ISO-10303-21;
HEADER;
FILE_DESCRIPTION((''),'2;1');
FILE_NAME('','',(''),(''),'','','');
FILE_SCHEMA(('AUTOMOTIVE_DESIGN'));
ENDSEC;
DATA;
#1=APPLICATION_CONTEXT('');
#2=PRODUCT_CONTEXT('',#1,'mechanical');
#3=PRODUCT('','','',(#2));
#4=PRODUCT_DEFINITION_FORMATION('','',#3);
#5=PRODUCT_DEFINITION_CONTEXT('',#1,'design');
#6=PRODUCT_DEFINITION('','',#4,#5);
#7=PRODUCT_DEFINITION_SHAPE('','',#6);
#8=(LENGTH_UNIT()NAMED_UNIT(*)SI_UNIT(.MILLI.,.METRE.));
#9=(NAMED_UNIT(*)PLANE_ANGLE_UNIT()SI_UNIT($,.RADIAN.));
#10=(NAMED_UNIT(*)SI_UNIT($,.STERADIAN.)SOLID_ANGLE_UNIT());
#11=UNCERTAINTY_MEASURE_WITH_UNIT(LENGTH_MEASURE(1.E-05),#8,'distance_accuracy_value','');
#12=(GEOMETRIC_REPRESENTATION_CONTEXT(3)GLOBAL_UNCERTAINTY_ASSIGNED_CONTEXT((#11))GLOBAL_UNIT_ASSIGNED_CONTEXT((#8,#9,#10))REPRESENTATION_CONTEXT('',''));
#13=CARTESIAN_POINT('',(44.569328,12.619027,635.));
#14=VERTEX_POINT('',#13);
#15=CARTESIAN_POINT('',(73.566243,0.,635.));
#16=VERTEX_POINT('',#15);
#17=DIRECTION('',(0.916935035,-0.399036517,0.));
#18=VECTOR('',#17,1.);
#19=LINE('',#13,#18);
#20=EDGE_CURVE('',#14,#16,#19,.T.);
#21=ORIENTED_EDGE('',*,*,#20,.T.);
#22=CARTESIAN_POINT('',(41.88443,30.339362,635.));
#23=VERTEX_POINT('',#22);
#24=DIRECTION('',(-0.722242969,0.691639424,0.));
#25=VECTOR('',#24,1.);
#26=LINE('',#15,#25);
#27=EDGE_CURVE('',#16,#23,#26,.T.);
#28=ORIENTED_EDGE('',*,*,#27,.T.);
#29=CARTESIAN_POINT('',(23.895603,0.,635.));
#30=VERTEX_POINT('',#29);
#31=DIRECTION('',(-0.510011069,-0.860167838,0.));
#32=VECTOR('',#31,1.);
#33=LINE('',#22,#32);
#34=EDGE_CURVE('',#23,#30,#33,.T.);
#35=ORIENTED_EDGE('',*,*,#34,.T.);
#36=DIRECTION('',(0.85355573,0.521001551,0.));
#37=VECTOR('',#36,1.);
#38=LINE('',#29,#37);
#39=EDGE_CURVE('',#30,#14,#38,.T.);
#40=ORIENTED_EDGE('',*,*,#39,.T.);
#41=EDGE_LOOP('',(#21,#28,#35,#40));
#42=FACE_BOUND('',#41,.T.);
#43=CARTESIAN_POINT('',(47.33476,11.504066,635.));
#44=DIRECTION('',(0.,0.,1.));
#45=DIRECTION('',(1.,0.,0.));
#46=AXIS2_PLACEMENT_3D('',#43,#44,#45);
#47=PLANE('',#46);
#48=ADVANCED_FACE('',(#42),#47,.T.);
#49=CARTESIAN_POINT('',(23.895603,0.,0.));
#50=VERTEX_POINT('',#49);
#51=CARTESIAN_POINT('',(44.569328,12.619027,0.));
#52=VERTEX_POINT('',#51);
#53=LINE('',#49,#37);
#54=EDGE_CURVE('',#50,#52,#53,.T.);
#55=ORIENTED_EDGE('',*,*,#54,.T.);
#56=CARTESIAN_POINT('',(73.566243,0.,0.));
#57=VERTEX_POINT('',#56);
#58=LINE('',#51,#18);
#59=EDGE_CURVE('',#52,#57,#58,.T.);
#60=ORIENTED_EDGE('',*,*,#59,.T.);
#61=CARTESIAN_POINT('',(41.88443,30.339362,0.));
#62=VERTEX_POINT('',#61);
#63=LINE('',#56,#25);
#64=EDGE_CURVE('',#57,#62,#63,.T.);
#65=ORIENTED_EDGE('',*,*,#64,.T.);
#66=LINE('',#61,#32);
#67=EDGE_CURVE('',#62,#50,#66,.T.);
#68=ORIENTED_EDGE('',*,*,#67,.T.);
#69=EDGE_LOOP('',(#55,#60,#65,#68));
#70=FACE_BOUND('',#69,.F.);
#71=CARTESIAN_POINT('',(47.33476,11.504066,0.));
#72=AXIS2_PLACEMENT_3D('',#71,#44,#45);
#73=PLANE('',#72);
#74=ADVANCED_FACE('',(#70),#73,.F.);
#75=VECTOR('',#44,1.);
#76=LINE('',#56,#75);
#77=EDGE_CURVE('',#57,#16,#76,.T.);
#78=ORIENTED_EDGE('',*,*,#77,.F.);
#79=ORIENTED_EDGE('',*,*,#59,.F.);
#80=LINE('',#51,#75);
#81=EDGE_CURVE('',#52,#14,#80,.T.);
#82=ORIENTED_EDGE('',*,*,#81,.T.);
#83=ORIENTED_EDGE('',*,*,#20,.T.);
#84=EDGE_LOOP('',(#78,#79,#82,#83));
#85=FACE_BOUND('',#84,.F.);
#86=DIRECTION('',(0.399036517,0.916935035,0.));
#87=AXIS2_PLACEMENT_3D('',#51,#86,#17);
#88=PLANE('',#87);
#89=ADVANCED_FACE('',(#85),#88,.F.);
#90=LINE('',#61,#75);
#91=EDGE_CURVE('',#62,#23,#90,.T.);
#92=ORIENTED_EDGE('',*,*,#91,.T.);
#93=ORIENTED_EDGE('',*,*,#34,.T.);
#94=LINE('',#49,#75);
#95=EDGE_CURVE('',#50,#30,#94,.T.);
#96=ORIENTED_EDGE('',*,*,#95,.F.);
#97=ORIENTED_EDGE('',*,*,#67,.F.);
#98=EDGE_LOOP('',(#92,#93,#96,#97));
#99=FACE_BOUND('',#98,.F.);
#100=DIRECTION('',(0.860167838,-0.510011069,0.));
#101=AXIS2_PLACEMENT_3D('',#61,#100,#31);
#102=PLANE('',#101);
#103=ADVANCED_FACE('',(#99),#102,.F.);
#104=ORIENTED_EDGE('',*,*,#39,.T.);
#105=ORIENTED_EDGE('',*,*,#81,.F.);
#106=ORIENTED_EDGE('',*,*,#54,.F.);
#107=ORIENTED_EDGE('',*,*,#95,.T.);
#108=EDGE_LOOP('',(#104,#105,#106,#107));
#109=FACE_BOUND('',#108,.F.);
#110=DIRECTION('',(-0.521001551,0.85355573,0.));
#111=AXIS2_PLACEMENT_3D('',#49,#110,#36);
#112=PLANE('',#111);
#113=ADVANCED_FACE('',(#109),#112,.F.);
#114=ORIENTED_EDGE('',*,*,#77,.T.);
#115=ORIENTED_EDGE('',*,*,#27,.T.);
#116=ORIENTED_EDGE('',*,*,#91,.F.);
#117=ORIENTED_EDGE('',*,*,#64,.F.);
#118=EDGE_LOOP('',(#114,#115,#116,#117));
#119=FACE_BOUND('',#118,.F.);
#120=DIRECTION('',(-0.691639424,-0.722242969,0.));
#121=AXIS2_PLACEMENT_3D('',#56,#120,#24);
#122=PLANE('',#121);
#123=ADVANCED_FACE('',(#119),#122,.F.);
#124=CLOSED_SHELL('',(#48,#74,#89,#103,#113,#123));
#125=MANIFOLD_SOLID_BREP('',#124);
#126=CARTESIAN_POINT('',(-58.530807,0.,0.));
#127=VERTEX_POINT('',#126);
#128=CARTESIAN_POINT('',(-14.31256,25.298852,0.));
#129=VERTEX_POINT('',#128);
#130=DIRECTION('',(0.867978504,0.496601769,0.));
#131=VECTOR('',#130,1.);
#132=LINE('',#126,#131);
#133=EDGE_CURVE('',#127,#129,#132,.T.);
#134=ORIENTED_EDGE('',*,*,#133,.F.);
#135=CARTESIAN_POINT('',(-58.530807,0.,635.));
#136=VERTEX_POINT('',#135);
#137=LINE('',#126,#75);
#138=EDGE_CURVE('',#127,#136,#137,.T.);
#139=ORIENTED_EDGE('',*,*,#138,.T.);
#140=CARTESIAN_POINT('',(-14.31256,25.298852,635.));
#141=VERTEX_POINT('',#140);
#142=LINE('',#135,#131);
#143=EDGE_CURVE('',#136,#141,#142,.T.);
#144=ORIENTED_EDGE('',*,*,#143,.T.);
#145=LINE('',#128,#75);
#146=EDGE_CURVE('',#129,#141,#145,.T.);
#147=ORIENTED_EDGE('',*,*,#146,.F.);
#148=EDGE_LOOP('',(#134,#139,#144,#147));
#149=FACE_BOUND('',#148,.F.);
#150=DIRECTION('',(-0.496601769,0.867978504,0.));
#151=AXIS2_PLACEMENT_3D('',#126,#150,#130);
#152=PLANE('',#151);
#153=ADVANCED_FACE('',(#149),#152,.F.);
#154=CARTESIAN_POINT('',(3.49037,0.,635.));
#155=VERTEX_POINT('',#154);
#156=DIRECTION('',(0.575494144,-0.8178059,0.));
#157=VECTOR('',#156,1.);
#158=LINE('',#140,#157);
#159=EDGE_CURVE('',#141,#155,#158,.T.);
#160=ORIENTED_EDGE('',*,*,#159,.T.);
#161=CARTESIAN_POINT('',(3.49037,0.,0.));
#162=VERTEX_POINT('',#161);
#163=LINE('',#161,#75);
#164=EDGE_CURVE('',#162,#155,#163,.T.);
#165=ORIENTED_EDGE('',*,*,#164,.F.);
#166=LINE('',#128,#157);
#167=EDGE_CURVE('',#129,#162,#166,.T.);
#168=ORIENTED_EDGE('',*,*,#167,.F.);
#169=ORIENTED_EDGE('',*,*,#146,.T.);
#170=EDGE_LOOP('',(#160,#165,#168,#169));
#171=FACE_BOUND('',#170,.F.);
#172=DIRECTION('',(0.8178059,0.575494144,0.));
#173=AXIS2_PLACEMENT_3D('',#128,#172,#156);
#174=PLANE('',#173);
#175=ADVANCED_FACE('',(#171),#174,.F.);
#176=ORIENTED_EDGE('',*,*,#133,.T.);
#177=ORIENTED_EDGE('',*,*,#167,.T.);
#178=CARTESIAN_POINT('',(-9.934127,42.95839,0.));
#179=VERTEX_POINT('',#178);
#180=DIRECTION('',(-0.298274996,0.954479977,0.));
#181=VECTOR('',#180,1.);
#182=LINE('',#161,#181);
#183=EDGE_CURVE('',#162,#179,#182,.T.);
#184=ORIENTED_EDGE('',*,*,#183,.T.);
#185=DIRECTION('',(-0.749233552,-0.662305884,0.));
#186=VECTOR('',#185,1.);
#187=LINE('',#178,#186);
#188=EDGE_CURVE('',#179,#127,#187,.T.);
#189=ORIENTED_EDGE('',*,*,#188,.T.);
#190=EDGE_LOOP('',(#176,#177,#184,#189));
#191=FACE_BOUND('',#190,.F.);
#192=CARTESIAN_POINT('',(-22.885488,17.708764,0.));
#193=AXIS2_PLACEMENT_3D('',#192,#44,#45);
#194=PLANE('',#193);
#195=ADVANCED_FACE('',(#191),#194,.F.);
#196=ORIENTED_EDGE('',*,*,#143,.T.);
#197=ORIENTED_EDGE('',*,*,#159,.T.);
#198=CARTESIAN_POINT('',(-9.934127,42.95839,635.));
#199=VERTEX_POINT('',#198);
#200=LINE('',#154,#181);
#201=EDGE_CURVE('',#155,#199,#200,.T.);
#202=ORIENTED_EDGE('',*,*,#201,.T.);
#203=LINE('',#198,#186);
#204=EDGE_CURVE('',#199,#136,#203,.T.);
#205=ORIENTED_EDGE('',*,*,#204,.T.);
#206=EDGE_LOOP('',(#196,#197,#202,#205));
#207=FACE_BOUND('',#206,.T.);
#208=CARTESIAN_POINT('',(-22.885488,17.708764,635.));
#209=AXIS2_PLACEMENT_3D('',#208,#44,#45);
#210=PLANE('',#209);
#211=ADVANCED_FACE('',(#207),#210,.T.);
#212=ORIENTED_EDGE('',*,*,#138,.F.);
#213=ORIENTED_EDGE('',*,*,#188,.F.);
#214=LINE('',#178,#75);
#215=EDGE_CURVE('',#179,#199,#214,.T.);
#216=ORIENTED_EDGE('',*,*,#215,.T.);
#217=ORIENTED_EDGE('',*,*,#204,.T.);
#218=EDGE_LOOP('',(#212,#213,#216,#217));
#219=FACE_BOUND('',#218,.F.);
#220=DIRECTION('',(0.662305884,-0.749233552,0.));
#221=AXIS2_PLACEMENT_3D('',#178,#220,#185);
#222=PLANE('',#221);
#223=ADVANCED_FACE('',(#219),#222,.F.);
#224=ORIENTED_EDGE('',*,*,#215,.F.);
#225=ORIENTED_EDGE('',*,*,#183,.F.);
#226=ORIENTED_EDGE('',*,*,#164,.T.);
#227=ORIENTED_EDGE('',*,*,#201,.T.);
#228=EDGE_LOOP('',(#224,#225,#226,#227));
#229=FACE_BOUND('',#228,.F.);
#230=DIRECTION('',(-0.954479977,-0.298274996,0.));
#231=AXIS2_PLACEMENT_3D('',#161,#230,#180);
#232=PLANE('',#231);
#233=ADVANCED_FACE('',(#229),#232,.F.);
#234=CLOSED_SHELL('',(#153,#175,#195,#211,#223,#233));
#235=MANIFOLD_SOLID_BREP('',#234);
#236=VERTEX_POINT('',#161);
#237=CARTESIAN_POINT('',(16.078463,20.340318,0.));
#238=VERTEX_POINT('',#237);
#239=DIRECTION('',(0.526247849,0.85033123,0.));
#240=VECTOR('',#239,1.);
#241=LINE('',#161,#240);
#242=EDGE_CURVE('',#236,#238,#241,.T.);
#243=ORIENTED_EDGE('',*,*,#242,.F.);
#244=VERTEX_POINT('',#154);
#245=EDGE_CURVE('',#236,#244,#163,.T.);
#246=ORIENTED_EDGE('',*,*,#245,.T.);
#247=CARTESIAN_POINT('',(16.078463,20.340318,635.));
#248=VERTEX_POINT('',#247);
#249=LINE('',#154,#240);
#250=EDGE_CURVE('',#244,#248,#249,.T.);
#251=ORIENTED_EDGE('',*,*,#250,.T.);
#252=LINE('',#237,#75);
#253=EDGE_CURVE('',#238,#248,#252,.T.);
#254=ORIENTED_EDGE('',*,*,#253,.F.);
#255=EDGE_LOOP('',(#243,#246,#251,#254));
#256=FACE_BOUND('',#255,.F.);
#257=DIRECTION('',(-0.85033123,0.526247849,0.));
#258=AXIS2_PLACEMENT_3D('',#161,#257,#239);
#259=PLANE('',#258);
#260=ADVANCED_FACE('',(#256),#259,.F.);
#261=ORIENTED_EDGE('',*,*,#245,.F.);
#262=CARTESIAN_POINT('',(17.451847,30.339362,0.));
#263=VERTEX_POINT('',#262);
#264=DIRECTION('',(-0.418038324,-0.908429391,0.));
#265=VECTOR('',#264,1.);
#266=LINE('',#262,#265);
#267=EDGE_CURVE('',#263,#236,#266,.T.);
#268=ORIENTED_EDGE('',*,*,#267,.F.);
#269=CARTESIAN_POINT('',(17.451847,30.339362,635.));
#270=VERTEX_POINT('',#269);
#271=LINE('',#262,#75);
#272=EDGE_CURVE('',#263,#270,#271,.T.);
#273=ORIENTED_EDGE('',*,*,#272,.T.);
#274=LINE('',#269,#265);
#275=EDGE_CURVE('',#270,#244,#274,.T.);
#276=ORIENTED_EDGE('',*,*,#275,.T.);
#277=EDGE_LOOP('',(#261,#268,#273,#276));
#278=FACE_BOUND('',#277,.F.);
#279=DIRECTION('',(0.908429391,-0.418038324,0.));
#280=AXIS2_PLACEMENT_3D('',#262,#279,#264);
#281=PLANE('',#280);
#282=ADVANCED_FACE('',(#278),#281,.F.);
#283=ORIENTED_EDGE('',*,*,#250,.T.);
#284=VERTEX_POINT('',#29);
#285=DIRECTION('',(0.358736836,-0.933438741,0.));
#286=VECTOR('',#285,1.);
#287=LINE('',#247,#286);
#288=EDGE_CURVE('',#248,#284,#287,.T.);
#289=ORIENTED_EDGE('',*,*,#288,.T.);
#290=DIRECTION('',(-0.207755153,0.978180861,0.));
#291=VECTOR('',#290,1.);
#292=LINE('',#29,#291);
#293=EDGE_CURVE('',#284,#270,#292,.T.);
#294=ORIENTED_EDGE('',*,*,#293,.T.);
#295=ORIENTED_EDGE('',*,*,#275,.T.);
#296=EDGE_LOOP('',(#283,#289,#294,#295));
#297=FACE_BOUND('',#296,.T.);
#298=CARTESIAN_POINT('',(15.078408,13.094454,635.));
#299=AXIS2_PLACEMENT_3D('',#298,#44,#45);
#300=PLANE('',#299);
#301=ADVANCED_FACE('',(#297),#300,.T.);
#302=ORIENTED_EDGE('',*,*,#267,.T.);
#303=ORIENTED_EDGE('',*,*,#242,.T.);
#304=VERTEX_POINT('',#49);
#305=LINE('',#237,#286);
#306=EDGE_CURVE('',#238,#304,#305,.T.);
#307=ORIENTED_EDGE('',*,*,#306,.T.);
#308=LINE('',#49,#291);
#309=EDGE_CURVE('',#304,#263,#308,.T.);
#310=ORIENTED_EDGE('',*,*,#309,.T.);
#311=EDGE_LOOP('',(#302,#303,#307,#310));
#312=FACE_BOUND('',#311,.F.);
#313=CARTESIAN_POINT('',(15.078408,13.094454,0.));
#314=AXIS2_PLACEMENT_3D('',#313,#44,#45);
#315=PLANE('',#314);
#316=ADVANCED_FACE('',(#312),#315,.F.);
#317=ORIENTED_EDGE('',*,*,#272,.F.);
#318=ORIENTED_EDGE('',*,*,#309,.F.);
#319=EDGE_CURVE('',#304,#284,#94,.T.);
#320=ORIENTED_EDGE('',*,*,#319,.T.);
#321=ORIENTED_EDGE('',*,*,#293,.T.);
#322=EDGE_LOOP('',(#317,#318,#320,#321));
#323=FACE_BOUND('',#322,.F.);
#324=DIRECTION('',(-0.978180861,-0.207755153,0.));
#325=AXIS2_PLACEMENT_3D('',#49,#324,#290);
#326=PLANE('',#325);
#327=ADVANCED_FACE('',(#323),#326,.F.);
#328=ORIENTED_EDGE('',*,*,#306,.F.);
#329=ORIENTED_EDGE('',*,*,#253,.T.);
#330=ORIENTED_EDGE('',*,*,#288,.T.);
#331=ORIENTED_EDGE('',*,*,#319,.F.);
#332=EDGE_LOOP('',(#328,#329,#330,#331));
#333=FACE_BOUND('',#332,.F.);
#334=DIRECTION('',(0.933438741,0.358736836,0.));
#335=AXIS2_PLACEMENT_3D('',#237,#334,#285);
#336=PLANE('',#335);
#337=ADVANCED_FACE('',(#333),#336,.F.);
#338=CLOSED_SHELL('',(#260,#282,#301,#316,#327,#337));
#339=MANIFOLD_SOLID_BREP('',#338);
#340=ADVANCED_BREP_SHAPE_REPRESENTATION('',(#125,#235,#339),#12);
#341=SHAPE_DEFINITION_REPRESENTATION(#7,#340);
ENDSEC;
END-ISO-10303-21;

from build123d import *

# Parameters (mm, degrees)
F1_DEPTH = 635


with BuildPart() as f1:
    # F0 (on Top) → F1 (new body)
    with BuildSketch(Plane.XY):
        Polygon((-9.934127, 42.95839), (-58.530807, 0), (-14.31256, 25.298852), (3.49037, 0), align=None)
        Polygon((17.451847, 30.339362), (3.49037, 0), (16.078463, 20.340318), (23.895603, 0), align=None)
        Polygon((41.88443, 30.339362), (23.895603, 0), (44.569328, 12.619027), (73.566243, 0), align=None)
    extrude(amount=F1_DEPTH)


solid = f1.part
